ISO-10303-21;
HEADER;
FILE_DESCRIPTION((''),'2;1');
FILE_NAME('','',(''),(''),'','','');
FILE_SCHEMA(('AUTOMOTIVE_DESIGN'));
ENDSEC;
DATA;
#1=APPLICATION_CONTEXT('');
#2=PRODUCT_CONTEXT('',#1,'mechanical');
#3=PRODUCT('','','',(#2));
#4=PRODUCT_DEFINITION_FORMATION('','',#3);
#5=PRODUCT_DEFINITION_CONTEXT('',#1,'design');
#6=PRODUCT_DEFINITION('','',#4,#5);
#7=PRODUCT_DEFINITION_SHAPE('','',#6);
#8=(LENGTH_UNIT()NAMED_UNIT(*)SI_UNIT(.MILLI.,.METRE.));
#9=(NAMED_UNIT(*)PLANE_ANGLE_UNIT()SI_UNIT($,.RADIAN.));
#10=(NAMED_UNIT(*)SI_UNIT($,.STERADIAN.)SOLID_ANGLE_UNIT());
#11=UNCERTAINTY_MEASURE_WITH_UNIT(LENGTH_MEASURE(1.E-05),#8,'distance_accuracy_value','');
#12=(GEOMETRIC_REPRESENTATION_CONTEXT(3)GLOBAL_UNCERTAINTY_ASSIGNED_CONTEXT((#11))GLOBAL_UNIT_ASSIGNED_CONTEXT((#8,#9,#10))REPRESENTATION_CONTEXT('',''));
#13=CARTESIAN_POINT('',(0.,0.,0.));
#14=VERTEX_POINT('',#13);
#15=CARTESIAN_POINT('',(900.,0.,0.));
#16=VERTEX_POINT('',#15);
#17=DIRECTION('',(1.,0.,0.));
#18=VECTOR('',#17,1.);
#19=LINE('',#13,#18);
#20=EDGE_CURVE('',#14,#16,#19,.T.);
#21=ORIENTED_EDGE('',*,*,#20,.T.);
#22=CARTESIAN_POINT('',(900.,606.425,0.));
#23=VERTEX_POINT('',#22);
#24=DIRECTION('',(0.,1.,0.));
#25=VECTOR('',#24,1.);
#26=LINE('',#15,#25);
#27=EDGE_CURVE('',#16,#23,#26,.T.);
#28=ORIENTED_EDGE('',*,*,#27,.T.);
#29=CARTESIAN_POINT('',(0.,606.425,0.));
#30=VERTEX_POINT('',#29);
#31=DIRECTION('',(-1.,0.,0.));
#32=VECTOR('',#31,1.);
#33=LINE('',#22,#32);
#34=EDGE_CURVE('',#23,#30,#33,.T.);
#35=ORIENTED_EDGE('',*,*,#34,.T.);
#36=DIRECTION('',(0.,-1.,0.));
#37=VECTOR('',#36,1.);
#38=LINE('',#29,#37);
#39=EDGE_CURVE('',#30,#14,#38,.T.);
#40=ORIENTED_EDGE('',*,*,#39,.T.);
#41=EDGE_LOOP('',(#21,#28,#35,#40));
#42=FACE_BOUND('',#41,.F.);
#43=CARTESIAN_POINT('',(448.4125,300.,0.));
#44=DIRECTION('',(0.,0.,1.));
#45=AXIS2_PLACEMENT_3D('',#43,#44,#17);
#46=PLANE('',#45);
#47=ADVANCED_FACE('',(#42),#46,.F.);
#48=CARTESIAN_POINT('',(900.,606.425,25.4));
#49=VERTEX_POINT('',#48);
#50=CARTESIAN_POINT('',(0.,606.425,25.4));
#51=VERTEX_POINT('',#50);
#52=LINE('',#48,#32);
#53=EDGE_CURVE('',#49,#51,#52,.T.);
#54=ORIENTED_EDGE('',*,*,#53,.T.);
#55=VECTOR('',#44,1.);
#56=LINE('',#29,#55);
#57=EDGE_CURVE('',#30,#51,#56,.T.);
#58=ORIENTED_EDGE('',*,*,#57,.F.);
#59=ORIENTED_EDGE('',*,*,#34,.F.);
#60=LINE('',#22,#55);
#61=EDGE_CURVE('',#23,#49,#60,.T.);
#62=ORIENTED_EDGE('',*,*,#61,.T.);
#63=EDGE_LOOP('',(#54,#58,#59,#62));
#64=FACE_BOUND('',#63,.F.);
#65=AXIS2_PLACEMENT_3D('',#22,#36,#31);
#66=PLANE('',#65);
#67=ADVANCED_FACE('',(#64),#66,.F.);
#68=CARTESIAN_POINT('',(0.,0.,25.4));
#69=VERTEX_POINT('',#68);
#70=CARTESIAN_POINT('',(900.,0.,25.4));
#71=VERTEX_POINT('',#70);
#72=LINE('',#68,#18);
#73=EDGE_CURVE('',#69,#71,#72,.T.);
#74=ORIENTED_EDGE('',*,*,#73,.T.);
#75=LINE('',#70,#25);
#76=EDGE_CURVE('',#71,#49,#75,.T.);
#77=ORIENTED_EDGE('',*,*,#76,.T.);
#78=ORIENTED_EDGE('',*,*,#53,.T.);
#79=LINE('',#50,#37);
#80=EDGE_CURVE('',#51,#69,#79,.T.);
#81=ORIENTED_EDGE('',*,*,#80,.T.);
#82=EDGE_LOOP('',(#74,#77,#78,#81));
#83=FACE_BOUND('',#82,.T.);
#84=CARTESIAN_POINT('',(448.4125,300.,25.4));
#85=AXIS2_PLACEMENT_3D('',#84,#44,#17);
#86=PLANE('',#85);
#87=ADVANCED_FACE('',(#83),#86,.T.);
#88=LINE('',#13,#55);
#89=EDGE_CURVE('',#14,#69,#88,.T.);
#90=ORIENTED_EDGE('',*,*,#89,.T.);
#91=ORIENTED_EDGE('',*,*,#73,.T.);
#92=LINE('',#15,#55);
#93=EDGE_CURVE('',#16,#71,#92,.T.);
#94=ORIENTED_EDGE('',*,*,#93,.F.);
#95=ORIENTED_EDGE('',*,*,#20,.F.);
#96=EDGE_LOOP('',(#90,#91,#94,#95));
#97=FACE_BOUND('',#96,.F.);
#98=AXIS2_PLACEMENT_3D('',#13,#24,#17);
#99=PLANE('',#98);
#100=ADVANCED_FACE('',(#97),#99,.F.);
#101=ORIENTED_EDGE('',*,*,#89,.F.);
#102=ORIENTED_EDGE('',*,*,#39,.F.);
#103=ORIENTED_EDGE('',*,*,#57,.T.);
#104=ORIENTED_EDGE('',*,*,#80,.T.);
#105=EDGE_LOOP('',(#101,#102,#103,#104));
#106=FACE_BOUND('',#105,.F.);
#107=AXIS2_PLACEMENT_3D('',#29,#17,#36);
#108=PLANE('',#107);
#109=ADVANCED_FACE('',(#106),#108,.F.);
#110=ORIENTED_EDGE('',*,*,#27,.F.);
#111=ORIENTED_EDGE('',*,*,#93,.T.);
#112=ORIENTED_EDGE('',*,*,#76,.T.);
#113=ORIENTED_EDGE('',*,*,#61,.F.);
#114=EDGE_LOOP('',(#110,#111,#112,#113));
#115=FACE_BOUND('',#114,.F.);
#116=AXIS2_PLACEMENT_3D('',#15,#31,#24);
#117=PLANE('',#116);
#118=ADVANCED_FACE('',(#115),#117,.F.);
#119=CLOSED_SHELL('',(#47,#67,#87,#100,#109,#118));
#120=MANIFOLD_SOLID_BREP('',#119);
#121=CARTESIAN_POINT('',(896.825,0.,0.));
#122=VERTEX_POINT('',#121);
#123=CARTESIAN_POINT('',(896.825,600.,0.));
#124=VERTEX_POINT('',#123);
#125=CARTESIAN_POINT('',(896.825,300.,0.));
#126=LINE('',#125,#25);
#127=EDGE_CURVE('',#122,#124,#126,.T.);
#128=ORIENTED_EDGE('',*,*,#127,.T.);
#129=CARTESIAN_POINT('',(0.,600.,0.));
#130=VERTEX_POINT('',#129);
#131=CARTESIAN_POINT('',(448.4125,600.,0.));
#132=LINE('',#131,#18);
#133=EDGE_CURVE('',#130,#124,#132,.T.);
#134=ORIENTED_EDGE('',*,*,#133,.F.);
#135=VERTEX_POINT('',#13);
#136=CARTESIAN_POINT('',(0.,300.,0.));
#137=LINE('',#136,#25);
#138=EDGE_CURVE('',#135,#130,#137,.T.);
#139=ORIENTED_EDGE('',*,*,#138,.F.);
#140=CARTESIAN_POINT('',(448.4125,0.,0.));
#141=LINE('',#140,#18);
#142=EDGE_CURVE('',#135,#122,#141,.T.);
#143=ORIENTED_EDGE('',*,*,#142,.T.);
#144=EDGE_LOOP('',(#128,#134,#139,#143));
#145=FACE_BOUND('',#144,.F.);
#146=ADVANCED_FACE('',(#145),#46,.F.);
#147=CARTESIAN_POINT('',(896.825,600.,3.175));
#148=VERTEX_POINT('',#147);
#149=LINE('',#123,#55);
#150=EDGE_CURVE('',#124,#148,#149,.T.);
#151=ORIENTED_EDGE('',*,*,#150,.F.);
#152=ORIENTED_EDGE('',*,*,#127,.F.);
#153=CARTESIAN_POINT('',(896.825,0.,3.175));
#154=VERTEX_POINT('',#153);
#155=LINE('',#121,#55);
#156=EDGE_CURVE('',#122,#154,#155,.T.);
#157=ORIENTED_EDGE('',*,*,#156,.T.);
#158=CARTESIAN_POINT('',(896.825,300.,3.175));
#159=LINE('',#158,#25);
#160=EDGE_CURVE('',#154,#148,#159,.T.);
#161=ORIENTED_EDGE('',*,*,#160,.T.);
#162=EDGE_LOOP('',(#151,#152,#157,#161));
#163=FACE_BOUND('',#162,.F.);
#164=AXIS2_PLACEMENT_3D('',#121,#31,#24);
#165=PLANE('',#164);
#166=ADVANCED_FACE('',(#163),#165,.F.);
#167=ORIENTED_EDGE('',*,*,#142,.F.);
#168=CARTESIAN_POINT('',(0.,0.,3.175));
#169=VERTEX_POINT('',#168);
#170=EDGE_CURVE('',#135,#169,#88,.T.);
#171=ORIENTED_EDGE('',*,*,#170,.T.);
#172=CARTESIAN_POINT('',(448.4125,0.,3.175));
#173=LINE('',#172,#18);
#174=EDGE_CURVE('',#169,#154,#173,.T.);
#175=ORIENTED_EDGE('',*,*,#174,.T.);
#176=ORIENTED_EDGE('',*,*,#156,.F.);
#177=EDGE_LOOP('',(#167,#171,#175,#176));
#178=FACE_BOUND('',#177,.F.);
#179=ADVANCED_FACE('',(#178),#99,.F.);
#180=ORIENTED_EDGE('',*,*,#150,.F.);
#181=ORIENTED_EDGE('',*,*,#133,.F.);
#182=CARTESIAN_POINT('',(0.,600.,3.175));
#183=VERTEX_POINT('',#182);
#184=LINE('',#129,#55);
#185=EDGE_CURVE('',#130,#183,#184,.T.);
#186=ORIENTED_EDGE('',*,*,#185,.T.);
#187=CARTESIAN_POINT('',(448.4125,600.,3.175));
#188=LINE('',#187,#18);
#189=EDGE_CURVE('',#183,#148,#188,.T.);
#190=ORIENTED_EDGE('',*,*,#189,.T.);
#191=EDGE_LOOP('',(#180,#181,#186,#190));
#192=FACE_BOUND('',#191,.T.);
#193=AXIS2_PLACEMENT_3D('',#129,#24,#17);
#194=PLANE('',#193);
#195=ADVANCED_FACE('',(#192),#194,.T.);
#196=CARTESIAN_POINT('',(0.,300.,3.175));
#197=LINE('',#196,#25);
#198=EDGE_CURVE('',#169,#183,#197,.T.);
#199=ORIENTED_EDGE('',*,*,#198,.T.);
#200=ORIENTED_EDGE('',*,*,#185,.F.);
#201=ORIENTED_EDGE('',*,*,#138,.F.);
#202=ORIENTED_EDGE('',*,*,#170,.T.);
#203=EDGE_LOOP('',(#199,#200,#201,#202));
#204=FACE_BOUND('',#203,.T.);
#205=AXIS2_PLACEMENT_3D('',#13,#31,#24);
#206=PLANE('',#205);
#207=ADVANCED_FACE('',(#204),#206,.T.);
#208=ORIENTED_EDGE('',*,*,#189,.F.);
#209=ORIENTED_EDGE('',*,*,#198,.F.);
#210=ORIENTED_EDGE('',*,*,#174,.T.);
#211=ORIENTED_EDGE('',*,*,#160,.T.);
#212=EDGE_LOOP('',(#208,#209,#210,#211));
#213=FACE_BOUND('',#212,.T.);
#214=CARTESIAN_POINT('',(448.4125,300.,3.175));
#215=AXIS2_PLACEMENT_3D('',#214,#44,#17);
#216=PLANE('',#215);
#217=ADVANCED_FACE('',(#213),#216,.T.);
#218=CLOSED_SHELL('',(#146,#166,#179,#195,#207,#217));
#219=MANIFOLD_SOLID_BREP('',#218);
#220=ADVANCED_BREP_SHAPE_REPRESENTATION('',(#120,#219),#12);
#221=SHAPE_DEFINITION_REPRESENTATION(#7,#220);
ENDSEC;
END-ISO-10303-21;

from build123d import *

# Parameters (mm, degrees)
F0_W     = 896.825
F0_H     = 600
F1_DEPTH = 3.175
F2_DEPTH = 25.4


with BuildPart() as f1:
    # F0 (on Top) → F1 (new body)
    with BuildSketch(Plane.XY):
        with Locations((448.4125, 300)):
            Rectangle(F0_W, F0_H)
    extrude(amount=F1_DEPTH)


with BuildPart() as f2:
    # F0 (on Top) → F2 (new body)
    with BuildSketch(Plane.XY):
        with Locations((448.4125, 300)):
            Rectangle(F0_W, F0_H)
        Polygon((896.825, 600), (896.825, 0), (900, 0), (900, 606.425), (0, 606.425), (0, 600), align=None)
    extrude(amount=F2_DEPTH)


solid = Compound([f1.part, f2.part])
